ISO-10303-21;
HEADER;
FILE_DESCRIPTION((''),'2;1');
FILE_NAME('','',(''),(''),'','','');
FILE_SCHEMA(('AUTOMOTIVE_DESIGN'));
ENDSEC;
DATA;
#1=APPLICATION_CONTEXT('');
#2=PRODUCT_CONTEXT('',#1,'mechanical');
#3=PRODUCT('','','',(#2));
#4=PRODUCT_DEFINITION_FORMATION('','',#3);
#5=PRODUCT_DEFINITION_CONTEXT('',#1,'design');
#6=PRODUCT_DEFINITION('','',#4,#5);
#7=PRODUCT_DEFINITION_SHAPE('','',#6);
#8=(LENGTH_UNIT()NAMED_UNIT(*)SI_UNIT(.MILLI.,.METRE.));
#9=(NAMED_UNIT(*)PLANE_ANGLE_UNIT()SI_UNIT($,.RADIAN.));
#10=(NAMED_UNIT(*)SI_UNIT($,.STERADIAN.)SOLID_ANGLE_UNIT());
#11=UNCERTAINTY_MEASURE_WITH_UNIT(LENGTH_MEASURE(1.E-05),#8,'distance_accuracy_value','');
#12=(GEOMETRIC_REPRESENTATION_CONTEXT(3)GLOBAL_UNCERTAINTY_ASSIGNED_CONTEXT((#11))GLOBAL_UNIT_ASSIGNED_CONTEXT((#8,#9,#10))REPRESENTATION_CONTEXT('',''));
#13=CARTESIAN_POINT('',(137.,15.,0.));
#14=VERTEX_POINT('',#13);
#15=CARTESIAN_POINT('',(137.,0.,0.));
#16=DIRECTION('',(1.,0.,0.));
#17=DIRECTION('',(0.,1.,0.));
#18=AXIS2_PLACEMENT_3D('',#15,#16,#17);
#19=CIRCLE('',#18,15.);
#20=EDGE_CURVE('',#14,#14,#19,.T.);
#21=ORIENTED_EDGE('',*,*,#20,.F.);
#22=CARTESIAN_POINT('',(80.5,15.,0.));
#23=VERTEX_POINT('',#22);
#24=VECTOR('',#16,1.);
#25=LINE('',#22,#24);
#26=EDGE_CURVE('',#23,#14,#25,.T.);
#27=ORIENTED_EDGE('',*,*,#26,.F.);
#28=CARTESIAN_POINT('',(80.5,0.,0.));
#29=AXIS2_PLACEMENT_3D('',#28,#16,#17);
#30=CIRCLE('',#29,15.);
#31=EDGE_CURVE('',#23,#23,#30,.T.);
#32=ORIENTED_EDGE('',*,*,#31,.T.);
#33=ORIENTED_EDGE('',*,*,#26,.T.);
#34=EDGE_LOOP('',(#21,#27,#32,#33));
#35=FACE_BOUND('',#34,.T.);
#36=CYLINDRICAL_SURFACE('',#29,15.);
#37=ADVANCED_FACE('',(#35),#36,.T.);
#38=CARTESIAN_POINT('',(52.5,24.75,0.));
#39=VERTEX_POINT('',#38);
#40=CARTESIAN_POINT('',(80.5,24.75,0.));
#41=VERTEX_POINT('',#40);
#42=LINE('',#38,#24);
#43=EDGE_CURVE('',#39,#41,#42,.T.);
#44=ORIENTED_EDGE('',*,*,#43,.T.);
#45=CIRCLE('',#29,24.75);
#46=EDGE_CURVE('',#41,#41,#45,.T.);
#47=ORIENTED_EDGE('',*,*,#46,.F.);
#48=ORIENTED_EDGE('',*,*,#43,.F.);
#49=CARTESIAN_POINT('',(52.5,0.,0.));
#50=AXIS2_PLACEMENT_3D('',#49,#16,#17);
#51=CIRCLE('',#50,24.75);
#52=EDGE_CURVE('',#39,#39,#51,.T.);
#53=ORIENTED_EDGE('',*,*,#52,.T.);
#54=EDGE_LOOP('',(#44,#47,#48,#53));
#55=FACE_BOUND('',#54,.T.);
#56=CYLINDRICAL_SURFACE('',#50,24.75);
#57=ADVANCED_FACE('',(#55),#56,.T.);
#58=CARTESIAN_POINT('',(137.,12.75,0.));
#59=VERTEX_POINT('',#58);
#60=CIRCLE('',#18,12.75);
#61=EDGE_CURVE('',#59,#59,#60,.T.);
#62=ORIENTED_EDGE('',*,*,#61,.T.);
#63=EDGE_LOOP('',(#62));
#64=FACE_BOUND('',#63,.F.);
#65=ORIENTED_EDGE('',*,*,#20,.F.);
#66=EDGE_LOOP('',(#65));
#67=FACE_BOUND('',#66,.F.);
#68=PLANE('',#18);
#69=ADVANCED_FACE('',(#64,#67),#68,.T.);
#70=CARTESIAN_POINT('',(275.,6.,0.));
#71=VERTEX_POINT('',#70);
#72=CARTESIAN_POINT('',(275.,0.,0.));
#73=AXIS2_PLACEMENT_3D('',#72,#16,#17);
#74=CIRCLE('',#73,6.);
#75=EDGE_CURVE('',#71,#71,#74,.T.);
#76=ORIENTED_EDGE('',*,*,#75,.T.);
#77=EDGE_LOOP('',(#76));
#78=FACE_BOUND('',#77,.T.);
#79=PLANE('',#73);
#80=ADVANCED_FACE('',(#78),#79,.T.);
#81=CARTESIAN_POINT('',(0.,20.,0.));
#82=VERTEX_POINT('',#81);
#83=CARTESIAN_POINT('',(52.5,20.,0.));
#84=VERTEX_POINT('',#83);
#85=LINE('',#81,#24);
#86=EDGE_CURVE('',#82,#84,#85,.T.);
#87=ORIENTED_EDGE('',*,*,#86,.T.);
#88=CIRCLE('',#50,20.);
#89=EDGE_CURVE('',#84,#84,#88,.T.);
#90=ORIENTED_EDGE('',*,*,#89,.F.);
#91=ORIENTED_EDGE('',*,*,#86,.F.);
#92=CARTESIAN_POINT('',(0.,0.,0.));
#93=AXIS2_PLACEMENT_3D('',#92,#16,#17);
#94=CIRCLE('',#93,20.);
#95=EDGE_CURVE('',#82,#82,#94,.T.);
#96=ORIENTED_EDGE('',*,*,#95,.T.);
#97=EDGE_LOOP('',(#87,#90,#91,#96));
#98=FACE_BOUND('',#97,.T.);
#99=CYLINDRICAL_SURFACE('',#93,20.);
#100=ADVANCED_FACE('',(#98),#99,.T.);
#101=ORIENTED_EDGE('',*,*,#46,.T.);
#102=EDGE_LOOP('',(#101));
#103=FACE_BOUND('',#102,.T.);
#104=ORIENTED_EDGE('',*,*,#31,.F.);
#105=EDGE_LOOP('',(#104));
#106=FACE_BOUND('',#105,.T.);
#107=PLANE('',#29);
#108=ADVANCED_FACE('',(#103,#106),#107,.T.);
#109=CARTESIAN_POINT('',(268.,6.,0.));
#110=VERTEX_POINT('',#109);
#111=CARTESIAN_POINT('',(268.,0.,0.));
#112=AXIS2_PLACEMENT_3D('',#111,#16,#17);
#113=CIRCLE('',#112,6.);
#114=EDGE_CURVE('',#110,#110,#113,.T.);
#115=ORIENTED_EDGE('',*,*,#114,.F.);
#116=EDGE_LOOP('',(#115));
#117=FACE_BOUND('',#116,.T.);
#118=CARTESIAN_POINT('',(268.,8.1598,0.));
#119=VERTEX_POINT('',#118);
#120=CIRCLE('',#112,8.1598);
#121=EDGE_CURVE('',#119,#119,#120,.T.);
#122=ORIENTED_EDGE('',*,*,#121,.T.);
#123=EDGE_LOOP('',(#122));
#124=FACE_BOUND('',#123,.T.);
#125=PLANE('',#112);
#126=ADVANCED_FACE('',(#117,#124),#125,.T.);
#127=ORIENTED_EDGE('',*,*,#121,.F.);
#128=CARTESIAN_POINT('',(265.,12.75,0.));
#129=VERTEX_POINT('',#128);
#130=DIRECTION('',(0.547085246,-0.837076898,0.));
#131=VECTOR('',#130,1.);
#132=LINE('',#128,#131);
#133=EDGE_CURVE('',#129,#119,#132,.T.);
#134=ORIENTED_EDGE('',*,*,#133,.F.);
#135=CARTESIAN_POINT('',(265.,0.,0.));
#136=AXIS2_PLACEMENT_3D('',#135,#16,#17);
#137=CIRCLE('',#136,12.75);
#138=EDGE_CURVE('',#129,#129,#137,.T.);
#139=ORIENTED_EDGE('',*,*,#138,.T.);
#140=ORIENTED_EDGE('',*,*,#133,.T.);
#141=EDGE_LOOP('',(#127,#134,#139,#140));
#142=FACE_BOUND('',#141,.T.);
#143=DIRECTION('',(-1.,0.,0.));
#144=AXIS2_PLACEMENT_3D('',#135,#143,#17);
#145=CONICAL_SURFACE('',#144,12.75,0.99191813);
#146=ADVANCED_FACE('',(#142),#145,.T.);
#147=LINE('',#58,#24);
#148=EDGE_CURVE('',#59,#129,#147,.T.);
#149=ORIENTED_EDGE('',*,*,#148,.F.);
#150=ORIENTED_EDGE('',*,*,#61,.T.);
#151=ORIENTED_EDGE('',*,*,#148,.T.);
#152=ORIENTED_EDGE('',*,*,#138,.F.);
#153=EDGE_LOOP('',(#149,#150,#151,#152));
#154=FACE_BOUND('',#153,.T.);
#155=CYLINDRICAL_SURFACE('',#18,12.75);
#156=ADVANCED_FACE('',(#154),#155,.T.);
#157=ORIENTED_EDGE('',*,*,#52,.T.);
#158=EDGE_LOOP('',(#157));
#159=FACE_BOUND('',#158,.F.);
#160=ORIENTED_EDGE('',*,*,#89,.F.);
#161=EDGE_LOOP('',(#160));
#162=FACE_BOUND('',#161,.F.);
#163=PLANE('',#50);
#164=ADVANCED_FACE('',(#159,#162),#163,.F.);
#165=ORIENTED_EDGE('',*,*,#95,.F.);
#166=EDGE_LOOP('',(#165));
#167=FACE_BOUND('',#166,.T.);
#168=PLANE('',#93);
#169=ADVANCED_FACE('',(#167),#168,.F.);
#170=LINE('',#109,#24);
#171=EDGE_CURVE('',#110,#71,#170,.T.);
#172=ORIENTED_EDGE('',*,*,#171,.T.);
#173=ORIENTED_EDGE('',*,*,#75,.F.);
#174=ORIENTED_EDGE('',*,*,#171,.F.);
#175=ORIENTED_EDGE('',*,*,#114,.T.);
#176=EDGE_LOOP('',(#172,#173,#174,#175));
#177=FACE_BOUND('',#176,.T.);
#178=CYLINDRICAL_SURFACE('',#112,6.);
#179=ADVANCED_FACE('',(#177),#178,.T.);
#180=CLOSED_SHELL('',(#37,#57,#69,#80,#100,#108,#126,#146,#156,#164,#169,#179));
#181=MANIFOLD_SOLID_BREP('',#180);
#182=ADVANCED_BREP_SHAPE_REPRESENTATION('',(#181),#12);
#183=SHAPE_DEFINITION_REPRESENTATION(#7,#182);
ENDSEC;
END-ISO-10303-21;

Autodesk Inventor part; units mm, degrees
ref_plane "YZ Plane" through (0, 0, 0) normal (1, 0, 0) x (0, 1, 0)
ref_plane "XZ Plane" through (0, 0, 0) normal (0, 1, 0) x (-1, 0, 0)
ref_plane "XY Plane" through (0, 0, 0) normal (0, 0, 1) x (1, 0, 0)
sketch "Sketch1" plane through (0, 0, 0) normal (0, 0, 1) x (1, 0, 0)
  line L0 (0, 0) -> (0, 20)
  line L1 (0, 20) -> (52.5, 20)
  line L2 (52.5, 24.75) -> (80.5, 24.75)
  line L3 (80.5, 15) -> (137, 15)
  line L4 (80.5, 24.75) -> (80.5, 15)
  line L5 (52.5, 24.75) -> (52.5, 20)
  line L6 (137, 12.75) -> (265, 12.75)
  line L7 (137, 12.75) -> (137, 15)
  line L8 (265, 12.75) -> (268, 8.1598)
  line L9 (268, 6) -> (275, 6)
  line L10 (275, 6) -> (275, 0)
  line L11 (268, 8.1598) -> (268, 6)
  line L12 (0, 0) -> (275, 0)
  dimension "d0" = 20
  dimension "d1" = 52.5
  dimension "d3" = 28
  dimension "d5" = 56.5
  dimension "d7" = 128
  dimension "d8" = 131
  dimension "d10" = 7
  dimension "d11" = 33.167
  dimension "d12" = 6.75
  dimension "d13" = 12
  dimension "d14" = 9
  dimension "d15" = 18.75
revolve "Revolution1" add sketch "Sketch1" angle 360 about axis through (0, 0, 0) along (1, 0, 0)
properties part number "Eixo caixa de engrenagem"
